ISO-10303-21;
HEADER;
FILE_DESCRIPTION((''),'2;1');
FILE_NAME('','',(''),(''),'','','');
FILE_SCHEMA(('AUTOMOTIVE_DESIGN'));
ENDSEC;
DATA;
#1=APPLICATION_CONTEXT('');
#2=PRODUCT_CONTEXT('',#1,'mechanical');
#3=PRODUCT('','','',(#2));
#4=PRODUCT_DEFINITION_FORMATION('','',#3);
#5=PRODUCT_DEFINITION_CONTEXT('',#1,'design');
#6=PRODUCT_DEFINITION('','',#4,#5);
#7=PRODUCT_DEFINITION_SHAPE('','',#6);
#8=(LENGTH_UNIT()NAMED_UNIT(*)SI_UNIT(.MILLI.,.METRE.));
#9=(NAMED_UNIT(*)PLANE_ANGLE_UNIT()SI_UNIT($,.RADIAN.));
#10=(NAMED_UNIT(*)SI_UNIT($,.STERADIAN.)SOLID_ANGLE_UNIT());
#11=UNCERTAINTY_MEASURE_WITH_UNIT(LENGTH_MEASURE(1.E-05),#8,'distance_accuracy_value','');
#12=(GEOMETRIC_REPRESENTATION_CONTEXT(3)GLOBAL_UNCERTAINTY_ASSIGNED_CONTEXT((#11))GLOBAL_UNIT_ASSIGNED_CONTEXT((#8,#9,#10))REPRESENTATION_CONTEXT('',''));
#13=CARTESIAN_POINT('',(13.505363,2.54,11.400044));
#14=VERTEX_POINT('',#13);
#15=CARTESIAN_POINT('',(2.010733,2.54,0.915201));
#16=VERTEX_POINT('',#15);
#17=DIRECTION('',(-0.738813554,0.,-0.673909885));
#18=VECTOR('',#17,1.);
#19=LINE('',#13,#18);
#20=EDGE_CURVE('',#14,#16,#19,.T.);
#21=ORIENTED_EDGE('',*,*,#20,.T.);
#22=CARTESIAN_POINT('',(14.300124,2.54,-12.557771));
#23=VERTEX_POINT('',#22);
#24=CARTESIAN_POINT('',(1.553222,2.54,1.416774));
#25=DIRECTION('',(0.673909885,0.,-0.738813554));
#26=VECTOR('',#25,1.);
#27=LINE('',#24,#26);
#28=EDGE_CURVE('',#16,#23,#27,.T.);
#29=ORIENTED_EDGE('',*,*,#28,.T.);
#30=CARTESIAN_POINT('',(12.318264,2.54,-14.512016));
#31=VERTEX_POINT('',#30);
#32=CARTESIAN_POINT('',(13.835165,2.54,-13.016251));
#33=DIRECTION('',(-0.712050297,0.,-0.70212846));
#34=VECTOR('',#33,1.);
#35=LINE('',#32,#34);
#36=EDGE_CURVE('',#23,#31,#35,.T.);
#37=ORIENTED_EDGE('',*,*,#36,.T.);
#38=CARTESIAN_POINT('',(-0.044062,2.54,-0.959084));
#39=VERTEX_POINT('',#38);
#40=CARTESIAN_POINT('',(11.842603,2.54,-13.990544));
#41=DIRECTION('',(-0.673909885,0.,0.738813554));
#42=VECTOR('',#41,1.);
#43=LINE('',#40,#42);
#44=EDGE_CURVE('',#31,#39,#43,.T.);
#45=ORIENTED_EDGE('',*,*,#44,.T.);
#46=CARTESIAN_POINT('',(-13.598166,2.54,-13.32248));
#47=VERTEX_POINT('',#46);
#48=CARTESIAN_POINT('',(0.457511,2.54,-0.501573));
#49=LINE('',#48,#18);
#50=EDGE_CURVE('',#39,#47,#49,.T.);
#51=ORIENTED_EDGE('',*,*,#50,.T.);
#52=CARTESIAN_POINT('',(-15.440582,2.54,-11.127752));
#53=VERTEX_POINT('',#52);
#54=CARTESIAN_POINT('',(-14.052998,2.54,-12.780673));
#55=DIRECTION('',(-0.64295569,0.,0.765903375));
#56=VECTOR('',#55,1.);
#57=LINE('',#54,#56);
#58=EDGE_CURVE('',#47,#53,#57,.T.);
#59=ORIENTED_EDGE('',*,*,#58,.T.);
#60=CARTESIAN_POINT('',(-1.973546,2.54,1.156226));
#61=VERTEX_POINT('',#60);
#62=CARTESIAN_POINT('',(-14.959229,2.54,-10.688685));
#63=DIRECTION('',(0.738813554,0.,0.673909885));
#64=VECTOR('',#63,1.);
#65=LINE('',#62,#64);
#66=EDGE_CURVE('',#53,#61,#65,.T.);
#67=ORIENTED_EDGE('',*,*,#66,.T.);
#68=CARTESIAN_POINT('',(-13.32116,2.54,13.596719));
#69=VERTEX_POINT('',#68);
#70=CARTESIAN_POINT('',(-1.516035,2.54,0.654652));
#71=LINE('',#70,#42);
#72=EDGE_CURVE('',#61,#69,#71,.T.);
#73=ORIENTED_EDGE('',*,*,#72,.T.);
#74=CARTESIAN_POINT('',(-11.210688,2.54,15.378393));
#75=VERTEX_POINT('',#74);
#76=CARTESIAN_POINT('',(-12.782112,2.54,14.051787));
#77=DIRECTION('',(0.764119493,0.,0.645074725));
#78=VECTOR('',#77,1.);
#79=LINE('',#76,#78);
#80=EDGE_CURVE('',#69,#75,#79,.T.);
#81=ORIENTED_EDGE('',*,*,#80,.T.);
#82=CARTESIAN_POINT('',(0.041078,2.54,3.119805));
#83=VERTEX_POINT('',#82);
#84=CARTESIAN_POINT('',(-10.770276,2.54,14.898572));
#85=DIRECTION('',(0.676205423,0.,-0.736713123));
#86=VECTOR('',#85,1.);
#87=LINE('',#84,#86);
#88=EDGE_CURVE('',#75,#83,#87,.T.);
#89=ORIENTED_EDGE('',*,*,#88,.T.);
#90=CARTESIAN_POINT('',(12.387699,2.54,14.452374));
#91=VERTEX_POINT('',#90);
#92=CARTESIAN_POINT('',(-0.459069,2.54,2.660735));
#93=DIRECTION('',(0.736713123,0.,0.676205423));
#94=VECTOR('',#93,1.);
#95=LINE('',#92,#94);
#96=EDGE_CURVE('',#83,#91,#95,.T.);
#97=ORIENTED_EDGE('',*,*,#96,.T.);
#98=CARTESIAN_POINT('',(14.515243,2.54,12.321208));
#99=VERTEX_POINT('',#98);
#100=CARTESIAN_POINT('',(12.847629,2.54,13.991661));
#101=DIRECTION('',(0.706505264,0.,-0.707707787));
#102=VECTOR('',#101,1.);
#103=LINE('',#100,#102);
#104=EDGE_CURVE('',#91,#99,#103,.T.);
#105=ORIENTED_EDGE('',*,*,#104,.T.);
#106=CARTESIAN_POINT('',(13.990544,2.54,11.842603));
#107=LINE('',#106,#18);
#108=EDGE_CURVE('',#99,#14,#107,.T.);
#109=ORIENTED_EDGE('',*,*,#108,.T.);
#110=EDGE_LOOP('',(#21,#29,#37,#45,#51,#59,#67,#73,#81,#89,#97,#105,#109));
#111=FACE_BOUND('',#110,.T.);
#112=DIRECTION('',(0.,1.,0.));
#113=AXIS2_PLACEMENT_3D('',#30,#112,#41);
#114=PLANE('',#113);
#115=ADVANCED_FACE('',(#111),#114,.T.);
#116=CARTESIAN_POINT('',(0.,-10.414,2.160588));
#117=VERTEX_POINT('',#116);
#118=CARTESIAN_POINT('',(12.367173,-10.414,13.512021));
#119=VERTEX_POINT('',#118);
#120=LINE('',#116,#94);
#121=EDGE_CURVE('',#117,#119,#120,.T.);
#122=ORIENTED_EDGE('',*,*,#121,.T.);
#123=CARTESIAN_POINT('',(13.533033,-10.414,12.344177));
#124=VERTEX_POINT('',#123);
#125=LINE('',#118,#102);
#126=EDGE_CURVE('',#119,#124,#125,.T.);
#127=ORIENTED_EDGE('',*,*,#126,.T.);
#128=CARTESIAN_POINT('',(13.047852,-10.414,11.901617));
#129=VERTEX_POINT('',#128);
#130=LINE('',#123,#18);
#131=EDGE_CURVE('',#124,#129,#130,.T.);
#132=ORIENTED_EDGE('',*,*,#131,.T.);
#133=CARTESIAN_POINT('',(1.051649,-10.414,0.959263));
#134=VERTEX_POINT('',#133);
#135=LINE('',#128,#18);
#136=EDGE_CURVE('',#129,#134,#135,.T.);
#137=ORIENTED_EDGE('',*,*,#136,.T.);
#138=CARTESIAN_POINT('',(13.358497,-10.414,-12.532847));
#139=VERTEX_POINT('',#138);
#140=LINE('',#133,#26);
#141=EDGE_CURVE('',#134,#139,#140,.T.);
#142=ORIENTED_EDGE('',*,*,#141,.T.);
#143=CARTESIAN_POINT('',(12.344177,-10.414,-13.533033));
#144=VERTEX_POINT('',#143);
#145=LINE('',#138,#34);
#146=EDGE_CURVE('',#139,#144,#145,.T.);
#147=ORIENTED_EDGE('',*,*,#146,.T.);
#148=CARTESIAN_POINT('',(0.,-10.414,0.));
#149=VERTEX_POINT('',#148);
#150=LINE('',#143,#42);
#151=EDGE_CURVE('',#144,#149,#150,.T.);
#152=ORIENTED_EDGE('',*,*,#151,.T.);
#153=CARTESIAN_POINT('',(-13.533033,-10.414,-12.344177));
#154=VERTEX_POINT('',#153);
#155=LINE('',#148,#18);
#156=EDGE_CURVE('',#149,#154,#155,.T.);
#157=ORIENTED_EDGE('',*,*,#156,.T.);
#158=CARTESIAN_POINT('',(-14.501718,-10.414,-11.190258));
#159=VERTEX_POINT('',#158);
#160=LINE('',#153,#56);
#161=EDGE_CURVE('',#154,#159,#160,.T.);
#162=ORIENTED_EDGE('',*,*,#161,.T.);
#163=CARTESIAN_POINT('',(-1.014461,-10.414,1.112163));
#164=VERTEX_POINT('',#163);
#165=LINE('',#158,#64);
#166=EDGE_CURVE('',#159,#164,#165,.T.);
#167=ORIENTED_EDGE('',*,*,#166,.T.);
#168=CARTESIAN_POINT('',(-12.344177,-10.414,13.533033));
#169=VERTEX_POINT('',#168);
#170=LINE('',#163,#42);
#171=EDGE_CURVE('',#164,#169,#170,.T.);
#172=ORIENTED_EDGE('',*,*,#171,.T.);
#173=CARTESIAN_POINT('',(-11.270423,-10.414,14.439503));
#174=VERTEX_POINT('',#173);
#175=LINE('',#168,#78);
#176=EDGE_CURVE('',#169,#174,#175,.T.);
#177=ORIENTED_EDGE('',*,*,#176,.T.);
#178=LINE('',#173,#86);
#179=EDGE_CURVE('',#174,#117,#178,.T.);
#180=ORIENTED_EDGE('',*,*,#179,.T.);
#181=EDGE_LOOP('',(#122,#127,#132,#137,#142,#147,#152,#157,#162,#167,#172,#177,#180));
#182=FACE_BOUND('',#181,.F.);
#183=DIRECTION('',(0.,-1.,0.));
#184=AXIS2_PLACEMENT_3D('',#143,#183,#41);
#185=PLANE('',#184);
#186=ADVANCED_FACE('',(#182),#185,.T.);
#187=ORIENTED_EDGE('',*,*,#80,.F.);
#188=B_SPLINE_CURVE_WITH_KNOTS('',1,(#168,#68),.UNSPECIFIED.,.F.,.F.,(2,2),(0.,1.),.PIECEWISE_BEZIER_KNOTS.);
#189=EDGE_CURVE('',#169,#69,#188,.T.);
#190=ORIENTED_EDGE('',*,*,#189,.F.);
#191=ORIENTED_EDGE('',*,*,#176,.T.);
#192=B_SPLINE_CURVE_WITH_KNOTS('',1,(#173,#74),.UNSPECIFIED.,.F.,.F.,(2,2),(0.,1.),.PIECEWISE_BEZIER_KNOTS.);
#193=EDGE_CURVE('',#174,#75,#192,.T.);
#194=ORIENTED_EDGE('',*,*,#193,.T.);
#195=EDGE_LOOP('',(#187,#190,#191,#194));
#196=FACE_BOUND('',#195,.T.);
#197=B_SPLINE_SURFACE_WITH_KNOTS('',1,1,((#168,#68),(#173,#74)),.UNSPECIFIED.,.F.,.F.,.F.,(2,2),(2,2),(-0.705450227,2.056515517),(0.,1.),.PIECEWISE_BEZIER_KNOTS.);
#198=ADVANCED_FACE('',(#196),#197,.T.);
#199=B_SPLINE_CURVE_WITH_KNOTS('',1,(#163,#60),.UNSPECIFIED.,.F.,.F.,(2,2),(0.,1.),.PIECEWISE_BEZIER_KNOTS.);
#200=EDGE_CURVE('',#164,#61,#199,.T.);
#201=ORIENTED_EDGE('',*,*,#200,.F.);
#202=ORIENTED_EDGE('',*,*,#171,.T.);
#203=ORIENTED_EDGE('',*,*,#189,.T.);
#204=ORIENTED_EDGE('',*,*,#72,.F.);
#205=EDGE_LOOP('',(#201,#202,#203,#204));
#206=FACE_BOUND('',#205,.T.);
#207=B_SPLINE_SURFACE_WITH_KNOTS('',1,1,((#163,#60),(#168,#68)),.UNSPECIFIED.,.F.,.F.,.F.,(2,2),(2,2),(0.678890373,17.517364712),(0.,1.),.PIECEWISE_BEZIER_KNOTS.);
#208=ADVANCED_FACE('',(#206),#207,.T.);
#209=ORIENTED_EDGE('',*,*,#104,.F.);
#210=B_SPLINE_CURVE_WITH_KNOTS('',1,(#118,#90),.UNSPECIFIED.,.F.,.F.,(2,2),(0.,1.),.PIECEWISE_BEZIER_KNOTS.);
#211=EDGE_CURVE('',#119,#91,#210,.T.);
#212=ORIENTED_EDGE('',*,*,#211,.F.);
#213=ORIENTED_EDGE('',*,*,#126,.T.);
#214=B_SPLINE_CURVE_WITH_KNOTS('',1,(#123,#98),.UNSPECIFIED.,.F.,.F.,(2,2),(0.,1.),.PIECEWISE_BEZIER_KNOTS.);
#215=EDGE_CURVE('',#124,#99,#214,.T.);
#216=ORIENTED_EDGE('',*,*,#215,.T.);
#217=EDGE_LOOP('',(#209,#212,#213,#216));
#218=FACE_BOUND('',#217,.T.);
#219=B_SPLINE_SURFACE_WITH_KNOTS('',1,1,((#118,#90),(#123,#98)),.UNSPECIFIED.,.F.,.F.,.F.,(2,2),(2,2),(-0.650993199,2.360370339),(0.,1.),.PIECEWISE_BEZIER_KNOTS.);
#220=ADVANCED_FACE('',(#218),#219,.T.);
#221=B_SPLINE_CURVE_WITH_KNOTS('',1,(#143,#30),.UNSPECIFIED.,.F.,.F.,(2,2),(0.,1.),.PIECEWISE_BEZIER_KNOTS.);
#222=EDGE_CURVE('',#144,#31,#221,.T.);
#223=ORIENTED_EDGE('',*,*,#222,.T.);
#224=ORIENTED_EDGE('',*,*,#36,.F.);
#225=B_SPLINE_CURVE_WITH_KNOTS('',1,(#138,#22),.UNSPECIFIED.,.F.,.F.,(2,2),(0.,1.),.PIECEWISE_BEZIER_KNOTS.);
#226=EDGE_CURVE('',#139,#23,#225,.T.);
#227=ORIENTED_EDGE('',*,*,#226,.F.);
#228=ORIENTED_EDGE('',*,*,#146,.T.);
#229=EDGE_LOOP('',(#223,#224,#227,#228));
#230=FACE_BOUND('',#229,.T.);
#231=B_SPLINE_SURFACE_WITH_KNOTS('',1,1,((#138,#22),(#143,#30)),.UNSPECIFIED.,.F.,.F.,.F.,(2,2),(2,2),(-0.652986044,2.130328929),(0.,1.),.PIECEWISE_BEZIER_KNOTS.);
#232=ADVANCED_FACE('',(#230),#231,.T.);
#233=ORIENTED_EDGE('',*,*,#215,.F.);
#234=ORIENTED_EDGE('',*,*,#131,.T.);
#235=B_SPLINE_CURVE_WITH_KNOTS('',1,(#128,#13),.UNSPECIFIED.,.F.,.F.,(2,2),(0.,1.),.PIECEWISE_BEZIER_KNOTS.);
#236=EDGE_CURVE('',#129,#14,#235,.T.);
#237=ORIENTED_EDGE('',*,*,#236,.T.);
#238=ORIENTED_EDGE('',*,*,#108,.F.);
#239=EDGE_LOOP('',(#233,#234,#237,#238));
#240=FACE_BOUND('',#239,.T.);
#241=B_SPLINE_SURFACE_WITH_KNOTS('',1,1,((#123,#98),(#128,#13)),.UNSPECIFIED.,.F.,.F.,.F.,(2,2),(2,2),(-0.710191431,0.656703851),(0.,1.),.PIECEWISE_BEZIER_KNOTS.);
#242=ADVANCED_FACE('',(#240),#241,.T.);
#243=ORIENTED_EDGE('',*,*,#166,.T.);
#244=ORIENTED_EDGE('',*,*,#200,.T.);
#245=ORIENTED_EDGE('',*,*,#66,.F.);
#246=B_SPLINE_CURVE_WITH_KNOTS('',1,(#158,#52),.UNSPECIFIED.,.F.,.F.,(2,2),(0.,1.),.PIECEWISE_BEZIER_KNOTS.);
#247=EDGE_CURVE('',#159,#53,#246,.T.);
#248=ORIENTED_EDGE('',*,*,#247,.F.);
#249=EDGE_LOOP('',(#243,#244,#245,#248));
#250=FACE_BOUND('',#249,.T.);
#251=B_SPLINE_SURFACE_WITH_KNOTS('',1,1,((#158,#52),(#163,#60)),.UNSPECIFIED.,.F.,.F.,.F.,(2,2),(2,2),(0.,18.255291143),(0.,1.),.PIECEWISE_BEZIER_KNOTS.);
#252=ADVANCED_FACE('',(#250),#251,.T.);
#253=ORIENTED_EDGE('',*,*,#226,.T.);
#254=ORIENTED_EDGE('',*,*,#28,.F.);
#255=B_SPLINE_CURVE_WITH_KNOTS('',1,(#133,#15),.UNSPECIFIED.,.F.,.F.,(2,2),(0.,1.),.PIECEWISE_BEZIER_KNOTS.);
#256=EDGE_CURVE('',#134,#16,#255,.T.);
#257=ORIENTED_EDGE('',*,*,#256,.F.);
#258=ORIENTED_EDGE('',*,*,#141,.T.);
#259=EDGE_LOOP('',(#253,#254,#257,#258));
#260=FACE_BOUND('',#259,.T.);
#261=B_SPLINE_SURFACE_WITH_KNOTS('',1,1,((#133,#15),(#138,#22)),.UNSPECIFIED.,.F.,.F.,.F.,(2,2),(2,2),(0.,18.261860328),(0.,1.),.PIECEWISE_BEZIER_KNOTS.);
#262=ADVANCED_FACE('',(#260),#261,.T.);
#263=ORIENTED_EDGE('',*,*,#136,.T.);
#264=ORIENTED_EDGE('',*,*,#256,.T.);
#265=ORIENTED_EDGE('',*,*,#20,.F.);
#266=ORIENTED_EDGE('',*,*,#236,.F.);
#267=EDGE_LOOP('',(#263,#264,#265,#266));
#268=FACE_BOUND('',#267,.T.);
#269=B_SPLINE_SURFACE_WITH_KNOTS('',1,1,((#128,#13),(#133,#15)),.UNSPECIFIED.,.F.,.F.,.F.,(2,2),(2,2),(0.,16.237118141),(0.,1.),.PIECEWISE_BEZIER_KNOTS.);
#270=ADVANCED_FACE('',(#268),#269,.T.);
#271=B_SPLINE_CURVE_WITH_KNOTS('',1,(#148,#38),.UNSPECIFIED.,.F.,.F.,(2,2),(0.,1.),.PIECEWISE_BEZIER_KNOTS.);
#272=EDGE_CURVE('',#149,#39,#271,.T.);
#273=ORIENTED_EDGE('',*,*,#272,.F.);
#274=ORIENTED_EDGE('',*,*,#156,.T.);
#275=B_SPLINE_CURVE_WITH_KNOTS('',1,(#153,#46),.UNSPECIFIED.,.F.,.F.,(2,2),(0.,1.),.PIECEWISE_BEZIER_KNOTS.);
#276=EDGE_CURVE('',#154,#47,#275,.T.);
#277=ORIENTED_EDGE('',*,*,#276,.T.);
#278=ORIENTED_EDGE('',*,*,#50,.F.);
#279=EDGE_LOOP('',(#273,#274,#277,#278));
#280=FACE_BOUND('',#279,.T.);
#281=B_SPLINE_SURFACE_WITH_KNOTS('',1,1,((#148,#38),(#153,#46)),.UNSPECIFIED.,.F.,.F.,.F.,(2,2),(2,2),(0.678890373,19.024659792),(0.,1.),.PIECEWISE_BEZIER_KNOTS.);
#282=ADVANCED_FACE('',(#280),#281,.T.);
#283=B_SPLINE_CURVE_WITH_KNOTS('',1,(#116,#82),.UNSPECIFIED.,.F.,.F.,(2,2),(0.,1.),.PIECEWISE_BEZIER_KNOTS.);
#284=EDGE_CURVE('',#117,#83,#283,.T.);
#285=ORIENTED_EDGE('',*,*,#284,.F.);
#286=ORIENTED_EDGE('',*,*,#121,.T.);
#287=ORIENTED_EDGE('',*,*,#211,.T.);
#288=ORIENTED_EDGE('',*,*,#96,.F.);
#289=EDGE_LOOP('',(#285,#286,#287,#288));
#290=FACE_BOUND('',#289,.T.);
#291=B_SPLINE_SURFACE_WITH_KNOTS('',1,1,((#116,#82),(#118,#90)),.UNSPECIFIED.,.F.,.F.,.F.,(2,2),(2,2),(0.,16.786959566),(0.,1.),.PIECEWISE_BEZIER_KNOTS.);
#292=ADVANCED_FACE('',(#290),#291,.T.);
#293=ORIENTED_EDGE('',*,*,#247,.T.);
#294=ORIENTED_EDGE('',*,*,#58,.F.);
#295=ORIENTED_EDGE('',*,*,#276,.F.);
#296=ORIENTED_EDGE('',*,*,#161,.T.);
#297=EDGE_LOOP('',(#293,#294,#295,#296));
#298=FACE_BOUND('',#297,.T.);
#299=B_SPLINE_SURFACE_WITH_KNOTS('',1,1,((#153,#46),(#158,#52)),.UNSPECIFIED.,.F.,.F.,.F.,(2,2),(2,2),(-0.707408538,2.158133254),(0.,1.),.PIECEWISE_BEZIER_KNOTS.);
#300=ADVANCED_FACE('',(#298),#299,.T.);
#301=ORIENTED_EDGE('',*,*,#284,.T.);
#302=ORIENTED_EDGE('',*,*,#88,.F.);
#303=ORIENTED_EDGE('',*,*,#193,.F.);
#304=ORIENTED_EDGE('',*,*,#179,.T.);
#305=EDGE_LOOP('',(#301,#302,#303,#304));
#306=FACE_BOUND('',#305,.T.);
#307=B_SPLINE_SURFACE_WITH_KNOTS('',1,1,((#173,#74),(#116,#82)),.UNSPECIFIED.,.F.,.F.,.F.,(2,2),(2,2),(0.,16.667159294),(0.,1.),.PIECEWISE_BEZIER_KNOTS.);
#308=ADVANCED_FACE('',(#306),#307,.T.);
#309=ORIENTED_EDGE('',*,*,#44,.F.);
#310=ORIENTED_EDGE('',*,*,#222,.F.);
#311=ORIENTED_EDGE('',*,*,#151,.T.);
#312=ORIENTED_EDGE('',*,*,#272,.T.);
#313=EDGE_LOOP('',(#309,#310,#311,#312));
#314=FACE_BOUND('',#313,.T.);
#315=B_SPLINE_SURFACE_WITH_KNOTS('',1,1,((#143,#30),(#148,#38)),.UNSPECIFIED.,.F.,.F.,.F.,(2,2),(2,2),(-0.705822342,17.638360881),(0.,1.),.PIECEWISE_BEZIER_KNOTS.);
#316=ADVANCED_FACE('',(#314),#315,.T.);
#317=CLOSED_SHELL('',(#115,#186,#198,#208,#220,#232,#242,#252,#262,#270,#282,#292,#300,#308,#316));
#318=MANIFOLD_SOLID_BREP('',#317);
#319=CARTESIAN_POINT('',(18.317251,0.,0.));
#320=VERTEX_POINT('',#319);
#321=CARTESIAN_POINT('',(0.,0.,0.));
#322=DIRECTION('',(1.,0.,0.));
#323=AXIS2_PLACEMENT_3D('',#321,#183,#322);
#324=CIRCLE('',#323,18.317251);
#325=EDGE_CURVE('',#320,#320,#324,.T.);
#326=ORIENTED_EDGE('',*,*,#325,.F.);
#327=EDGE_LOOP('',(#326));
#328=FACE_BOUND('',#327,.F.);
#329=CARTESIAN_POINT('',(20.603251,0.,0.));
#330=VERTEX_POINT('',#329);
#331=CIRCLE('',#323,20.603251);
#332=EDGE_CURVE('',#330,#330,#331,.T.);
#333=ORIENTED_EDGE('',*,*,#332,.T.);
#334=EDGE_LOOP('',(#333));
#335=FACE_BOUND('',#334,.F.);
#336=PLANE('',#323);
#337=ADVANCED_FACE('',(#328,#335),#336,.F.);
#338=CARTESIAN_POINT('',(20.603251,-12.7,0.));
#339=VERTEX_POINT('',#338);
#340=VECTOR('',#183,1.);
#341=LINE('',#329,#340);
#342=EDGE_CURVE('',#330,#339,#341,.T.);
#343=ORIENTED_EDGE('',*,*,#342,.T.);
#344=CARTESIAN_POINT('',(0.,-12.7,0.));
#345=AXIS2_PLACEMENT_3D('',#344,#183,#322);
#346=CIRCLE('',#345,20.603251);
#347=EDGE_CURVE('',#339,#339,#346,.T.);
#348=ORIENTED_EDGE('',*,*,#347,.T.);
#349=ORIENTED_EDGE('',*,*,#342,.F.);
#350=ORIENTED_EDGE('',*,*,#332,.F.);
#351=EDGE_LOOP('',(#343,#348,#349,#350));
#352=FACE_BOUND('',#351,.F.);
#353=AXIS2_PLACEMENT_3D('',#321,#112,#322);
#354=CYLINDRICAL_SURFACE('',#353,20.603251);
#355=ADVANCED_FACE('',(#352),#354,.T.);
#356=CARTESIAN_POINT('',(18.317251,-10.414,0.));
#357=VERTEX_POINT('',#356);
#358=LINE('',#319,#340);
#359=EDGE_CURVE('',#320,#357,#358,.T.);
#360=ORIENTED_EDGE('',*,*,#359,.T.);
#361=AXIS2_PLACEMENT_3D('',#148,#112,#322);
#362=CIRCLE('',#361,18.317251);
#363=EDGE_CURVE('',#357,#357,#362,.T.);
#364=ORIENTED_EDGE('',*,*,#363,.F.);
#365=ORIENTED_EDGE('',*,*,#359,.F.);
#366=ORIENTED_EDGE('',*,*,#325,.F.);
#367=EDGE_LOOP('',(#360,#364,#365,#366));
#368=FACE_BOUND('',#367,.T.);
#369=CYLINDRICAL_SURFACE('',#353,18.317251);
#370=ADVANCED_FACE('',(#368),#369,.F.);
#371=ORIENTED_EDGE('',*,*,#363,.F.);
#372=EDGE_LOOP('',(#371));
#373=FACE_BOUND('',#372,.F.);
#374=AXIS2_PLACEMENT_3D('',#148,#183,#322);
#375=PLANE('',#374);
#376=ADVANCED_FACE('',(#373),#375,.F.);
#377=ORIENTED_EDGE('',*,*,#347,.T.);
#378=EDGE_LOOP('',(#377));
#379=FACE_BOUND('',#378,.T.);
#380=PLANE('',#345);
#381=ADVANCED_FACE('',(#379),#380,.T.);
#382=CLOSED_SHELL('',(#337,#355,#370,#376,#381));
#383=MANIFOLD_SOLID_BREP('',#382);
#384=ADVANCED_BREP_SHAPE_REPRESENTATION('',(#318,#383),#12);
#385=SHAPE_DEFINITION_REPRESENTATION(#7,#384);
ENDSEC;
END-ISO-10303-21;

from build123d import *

# Parameters (mm, degrees)
F0_R     = 20.6032512537
F1_DEPTH = 12.7
F2_T     = -2.286
F4_DEPTH = 12.954
F4_TAPER = -3


with BuildPart() as f1:
    # F0 (on Front) → F1 (new body)
    with BuildSketch(Plane.XZ):
        Circle(F0_R)
    extrude(amount=F1_DEPTH)

    # F2
    f2_openings = [f1.faces().sort_by_distance(p)[0] for p in [
        (0, 0, 0),
    ]]
    offset(amount=F2_T, openings=f2_openings)


with BuildPart() as f4:
    # F3 (on face) → F4 (new body)
    with BuildSketch(Plane(origin=(0, -10.414, 0), x_dir=(-1, 0, 0), z_dir=(0, 1, 0))):
        Polygon((-12.3441766776, -13.5330334975), (0, 0), (13.5330334975, -12.3441766776), (14.5017178557, -11.1902579383), (1.014461328, 1.112163208), (12.3441766776, 13.5330334975), (11.2704234996, 14.4395030258), (0, 2.1605880465), (-12.3671734121, 13.51202114), (-13.5330334975, 12.3441766776), (-13.0478517911, 11.9016174609), (-1.0516488317, 0.9592630494), (-13.3584970167, -12.5328468812), align=None)
    extrude(amount=F4_DEPTH, taper=F4_TAPER)


solid = Compound([f1.part, f4.part])
